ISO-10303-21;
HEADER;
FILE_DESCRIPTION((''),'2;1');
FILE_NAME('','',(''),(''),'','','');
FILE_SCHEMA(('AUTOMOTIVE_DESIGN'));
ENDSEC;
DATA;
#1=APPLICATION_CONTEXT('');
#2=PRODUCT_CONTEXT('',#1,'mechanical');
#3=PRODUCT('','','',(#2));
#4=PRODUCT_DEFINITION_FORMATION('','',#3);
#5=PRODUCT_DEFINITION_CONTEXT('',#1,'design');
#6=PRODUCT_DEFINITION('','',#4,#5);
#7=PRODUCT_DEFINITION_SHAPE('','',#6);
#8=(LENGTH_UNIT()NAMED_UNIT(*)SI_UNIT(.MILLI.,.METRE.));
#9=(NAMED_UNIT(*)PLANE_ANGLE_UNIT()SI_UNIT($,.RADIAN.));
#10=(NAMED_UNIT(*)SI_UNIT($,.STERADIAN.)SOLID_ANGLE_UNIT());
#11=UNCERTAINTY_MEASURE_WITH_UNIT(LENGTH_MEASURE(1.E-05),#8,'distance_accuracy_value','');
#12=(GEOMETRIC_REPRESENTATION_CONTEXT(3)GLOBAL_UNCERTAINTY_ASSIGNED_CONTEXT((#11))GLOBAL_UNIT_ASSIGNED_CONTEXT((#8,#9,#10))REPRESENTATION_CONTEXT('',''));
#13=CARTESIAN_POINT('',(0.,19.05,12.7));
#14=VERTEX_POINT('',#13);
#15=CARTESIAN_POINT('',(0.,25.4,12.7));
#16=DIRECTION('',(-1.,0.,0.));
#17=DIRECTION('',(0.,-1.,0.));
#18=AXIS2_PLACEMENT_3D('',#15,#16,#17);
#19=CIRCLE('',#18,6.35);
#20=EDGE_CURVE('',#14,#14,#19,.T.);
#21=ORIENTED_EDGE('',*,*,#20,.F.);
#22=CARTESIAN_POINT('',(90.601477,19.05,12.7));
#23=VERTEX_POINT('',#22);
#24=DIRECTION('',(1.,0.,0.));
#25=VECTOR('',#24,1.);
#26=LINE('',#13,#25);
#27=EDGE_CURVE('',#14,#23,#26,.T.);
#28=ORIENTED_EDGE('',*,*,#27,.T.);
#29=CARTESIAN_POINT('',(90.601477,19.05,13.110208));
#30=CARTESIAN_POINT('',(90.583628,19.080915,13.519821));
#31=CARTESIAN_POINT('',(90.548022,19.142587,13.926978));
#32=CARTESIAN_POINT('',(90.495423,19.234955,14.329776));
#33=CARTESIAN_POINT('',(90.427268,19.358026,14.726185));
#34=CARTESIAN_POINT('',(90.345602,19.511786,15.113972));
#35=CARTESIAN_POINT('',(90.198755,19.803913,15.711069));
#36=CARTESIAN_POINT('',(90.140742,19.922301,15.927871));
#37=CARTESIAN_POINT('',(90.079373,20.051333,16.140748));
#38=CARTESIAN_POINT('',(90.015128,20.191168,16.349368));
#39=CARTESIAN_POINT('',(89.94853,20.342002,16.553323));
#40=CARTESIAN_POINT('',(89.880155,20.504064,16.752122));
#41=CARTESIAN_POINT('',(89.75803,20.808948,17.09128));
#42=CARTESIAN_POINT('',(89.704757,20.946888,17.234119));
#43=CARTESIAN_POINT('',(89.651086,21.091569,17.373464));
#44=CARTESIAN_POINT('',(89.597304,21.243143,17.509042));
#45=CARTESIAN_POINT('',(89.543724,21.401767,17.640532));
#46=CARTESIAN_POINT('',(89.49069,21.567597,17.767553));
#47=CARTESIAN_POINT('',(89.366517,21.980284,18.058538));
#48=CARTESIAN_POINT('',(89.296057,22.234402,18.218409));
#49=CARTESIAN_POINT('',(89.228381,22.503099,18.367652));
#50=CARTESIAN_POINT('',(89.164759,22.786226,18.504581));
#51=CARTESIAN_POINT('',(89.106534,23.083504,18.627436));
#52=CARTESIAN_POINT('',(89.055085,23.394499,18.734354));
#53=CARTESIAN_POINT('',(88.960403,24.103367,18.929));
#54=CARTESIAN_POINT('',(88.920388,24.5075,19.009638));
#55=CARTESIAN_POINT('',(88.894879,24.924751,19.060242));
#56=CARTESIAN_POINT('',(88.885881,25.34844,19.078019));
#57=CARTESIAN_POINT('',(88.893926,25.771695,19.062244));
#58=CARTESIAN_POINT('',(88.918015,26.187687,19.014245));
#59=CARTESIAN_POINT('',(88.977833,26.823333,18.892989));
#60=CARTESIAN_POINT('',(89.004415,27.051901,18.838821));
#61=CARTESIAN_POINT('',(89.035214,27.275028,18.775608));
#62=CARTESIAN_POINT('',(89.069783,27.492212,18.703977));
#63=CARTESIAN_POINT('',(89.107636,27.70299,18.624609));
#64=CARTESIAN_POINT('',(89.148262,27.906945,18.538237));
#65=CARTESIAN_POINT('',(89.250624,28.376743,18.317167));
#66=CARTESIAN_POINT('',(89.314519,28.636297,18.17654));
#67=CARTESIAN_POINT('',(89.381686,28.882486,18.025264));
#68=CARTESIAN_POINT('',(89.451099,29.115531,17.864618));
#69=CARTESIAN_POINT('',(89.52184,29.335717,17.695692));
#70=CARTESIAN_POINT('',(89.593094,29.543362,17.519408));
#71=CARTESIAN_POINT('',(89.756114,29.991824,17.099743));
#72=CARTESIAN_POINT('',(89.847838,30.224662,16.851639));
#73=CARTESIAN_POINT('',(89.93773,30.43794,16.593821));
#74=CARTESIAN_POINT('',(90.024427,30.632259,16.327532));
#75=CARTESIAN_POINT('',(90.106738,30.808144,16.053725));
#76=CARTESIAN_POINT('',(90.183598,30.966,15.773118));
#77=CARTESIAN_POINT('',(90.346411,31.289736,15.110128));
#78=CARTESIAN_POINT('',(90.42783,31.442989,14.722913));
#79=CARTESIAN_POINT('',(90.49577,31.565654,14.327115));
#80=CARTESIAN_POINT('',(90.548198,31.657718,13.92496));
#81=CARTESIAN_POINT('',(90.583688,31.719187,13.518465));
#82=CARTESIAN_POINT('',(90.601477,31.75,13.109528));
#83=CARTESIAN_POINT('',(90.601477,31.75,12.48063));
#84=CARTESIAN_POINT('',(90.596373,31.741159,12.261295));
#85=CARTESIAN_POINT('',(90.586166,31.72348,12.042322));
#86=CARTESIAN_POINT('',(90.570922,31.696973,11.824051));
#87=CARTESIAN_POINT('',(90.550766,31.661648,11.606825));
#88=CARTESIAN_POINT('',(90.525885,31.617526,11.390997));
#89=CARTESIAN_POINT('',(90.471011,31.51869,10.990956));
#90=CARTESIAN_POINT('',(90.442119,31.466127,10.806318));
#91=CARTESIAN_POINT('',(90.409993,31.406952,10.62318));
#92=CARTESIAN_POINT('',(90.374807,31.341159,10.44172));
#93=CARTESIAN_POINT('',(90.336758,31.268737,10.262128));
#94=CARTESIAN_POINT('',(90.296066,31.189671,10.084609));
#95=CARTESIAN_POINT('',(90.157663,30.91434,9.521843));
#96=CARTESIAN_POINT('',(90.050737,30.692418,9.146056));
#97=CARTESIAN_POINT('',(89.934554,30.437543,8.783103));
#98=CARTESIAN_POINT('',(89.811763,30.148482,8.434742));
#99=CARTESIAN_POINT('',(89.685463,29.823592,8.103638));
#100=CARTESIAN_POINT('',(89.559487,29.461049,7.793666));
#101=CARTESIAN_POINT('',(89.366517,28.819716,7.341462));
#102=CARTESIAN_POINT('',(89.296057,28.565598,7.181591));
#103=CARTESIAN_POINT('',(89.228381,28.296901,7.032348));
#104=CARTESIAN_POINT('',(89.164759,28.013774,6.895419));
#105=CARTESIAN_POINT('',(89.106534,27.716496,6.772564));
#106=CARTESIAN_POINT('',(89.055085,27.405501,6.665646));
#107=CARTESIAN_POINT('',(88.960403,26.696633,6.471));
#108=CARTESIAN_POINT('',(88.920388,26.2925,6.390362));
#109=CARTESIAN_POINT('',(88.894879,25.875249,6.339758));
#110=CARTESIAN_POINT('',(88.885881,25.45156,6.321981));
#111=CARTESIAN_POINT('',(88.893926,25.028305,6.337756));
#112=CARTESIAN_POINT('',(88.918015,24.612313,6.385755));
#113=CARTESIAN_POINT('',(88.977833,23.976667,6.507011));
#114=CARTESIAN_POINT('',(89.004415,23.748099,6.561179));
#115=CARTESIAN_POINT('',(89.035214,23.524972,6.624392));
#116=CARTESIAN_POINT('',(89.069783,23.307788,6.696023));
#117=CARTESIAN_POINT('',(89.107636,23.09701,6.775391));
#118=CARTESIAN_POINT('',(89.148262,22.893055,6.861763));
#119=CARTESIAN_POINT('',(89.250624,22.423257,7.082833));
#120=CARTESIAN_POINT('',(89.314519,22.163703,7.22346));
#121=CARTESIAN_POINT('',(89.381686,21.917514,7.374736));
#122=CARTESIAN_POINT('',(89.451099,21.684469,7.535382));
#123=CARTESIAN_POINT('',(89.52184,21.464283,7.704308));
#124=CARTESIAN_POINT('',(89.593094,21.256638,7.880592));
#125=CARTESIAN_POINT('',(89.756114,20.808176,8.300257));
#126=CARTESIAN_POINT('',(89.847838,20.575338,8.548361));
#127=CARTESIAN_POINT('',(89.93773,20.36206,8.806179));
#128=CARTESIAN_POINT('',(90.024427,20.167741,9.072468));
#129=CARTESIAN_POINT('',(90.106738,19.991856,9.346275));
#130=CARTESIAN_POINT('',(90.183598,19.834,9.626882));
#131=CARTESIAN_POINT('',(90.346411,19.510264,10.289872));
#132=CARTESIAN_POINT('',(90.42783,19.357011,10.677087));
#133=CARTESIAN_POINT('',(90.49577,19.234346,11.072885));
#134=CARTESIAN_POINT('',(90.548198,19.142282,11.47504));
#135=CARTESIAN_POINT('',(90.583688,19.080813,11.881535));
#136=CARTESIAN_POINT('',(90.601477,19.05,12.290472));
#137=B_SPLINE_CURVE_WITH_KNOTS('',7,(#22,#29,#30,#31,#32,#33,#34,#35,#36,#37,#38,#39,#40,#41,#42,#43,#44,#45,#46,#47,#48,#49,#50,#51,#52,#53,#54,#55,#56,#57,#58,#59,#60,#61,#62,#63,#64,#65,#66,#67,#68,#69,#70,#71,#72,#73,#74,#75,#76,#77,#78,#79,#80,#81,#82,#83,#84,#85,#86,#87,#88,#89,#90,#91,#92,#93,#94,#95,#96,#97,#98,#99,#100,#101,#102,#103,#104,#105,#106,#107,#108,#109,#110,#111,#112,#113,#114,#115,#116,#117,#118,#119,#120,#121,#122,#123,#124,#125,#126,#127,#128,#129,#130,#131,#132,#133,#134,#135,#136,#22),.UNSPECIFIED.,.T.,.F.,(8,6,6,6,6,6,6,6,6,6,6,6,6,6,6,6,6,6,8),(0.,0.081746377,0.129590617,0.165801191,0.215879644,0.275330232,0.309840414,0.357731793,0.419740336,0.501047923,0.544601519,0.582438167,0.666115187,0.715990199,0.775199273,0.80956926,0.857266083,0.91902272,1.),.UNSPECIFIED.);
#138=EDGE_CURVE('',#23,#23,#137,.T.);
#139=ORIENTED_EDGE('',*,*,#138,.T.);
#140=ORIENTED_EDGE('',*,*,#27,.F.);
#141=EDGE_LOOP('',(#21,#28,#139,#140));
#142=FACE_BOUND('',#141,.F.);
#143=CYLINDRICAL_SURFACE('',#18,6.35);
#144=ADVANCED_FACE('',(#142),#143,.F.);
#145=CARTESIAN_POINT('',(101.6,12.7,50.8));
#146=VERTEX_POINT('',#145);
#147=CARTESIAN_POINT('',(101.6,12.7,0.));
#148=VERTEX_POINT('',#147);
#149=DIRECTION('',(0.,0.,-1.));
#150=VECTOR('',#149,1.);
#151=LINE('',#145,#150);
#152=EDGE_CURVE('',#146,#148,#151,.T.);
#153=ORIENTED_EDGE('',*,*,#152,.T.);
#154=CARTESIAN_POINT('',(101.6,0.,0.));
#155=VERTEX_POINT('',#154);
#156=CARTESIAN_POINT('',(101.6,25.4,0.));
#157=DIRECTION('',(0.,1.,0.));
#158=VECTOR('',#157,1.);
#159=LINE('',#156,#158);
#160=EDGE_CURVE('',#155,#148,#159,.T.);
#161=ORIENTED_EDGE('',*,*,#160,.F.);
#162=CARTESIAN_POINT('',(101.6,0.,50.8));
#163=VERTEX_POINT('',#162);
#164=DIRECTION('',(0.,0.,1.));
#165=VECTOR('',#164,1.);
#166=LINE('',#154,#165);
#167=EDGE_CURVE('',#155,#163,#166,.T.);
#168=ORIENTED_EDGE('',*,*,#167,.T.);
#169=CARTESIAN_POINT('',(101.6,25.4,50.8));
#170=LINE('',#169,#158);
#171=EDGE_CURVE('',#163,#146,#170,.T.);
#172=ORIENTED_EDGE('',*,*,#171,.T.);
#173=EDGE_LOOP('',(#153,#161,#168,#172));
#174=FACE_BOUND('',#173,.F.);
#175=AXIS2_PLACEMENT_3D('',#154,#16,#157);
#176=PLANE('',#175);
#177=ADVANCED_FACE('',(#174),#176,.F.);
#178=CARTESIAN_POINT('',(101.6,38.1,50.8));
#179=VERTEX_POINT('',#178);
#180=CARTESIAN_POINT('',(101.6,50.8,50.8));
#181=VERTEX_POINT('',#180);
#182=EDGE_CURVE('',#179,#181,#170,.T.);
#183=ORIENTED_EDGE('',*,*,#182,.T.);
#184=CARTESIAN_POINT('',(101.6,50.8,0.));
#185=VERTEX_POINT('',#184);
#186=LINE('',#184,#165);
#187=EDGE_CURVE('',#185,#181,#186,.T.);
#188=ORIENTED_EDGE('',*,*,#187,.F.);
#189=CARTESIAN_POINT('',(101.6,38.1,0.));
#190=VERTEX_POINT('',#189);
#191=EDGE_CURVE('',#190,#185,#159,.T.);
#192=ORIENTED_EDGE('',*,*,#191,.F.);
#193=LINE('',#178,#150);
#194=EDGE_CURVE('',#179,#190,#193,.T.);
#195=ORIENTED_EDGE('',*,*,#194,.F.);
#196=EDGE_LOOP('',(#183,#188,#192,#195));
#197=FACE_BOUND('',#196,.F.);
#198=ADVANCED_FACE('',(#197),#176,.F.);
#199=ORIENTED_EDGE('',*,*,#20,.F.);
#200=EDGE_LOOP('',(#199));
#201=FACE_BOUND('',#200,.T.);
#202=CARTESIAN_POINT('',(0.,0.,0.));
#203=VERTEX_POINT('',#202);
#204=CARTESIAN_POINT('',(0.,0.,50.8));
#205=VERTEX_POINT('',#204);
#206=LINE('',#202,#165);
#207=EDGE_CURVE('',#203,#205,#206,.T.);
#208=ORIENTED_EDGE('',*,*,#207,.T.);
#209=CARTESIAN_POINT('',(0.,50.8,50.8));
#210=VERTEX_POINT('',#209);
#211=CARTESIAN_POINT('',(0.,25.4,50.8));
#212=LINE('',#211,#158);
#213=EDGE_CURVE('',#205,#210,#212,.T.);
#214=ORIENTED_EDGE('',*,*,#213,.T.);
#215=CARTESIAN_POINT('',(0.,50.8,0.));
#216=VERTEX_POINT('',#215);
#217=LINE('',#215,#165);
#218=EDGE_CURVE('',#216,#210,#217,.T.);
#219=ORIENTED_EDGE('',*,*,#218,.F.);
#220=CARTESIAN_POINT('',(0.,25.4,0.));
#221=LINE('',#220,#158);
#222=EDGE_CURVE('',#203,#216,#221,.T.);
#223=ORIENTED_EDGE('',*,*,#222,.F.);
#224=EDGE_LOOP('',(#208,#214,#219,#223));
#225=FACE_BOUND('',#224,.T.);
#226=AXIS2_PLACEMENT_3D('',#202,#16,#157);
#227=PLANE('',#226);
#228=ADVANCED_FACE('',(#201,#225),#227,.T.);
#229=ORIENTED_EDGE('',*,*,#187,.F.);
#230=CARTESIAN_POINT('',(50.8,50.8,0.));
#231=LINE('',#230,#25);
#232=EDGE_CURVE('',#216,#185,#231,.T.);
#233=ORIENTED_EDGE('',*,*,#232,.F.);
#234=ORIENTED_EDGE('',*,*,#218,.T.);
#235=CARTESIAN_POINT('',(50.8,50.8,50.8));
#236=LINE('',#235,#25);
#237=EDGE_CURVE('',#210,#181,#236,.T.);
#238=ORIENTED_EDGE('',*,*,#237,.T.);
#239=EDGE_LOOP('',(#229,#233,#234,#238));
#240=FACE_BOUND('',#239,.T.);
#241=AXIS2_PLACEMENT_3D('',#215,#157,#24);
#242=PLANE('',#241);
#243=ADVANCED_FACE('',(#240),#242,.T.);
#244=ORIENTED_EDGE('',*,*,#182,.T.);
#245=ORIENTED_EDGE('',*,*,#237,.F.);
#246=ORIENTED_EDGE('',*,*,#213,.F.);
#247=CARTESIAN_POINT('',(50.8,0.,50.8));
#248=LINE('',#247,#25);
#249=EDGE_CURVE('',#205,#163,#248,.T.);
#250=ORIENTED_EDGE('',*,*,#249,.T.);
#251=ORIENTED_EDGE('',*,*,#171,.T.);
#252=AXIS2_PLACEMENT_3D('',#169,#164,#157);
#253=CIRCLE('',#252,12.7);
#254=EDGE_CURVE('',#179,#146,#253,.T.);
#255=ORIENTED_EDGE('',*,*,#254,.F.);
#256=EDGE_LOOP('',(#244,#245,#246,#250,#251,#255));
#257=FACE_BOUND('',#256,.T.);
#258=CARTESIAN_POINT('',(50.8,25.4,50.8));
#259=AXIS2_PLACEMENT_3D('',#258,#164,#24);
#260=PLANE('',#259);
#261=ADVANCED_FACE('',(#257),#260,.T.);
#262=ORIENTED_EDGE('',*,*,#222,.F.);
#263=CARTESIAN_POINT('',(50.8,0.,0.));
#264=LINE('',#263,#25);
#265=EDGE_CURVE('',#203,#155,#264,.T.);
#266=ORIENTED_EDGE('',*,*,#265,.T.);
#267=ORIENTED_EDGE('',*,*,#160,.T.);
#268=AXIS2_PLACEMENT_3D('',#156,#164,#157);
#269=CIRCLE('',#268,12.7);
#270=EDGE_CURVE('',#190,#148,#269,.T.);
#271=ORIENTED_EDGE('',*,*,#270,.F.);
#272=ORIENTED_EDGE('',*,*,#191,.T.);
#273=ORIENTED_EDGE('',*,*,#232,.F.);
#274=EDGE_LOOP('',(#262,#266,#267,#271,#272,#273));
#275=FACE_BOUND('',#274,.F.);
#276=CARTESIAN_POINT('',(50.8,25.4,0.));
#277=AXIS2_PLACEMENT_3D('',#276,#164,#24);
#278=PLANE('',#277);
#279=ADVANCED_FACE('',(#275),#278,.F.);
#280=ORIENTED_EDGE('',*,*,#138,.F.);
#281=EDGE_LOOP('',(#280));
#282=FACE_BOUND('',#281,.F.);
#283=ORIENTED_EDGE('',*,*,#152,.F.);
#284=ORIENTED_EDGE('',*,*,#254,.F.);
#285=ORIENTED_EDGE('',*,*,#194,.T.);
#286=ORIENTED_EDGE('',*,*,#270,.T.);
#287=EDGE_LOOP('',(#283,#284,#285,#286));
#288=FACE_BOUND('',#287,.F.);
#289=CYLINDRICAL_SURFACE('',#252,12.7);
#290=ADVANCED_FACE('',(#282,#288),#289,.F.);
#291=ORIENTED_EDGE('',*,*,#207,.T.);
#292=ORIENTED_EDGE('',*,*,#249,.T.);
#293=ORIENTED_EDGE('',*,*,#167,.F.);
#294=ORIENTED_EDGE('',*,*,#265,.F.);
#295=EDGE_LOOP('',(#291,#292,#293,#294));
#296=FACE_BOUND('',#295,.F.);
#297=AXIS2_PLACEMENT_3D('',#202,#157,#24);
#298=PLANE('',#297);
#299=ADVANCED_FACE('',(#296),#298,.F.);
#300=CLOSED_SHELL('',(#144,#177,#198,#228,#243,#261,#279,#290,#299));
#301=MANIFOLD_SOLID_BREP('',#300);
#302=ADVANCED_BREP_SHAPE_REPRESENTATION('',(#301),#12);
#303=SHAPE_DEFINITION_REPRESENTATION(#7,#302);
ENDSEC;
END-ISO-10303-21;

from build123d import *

# Parameters (mm, degrees)
F0_W     = 101.6
F0_H     = 50.8
F1_DEPTH = 50.8
F3_DEPTH = 50.801
F4_R     = 6.35
F5_DEPTH = 101.601


with BuildPart() as f1:
    # F0 (on Top) → F1 (new body)
    with BuildSketch(Plane.XY):
        with Locations((50.8, 25.4)):
            Rectangle(F0_W, F0_H)
    extrude(amount=F1_DEPTH)

    # F2 (on face) → F3 (cut, through all)
    with BuildSketch(Plane.XY.offset(50.8)):
        with BuildLine():
            Line((101.6, 12.7), (101.6, 38.1))
            ThreePointArc((101.6, 38.1), (88.9, 25.4), (101.6, 12.7))
        make_face()
    extrude(amount=-F3_DEPTH, mode=Mode.SUBTRACT)

    # F4 (on face) → F5 (cut, through all)
    with BuildSketch(Plane(origin=(0, 0, 0), x_dir=(0, -1, 0), z_dir=(-1, 0, 0))):
        with Locations((-25.4, 12.7)):
            Circle(F4_R)
    extrude(amount=-F5_DEPTH, mode=Mode.SUBTRACT)


solid = f1.part
